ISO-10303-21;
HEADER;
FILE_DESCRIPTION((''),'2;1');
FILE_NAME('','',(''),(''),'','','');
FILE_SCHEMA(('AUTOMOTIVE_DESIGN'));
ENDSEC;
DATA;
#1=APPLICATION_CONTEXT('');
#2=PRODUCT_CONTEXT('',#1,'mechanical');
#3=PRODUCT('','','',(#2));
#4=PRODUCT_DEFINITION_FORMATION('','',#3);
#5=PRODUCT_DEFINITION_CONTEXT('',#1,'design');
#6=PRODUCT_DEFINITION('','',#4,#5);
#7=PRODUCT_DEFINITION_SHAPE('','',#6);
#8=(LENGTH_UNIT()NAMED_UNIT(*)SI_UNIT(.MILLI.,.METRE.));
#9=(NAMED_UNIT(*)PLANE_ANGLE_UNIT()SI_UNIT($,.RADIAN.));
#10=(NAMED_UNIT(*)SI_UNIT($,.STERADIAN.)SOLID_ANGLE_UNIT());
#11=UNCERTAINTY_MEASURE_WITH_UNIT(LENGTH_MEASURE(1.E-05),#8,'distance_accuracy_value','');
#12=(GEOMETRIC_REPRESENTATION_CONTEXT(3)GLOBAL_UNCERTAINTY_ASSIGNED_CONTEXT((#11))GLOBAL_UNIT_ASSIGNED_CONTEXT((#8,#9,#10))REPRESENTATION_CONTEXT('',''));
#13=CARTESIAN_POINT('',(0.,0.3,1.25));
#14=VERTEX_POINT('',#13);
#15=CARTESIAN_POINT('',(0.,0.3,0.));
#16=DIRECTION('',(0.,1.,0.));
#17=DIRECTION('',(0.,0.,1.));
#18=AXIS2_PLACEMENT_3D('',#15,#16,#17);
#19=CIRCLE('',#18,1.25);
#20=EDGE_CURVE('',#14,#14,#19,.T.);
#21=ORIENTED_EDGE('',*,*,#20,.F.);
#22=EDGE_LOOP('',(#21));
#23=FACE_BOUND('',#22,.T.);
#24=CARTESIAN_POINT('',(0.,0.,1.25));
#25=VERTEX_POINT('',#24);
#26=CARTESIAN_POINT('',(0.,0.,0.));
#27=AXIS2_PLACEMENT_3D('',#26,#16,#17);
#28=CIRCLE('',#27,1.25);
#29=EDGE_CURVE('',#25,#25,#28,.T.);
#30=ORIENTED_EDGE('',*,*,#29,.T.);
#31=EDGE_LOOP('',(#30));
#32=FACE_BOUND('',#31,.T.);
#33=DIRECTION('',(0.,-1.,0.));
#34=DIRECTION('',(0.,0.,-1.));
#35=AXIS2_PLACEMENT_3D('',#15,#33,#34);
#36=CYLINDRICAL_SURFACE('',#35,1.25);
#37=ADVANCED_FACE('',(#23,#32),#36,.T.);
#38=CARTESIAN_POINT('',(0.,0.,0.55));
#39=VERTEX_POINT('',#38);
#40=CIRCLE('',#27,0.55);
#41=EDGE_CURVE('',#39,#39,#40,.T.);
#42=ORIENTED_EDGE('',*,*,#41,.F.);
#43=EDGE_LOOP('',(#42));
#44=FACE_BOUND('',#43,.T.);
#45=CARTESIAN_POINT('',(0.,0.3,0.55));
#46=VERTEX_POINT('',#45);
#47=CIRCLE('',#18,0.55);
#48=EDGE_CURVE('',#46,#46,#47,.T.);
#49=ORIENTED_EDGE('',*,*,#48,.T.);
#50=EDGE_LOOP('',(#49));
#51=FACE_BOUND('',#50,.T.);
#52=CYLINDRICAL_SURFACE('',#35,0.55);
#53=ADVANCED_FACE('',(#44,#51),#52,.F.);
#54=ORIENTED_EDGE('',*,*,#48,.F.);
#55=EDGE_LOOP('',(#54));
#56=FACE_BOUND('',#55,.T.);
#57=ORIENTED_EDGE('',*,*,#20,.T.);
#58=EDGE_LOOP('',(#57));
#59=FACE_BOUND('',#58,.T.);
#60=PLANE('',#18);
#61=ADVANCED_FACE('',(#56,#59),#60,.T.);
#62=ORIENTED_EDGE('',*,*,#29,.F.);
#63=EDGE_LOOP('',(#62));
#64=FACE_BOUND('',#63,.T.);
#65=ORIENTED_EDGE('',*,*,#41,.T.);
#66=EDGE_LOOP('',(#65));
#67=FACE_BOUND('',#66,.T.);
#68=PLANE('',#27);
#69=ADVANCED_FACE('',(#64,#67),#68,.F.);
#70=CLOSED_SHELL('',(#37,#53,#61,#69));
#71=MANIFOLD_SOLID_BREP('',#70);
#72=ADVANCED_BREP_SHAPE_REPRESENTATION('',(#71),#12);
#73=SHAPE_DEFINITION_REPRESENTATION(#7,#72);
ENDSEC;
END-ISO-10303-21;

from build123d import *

# Parameters (mm, degrees)
SKICA1_R        = 1.25
SKICA1_R_2      = 0.55
VYSUNOUT1_DEPTH = 0.3


with BuildPart() as part:
    # Skica1 → Vysunout1 (new body)
    with BuildSketch(Plane(origin=(0, 0, 0), x_dir=(1, 0, 0), z_dir=(0, 1, 0))):
        with Locations(Location((0, 0, 0), (0, 0, 270))):
            Circle(SKICA1_R)
        with Locations(Location((0, 0, 0), (0, 0, 270))):
            Circle(SKICA1_R_2, mode=Mode.SUBTRACT)
    extrude(amount=VYSUNOUT1_DEPTH)


solid = part.part
